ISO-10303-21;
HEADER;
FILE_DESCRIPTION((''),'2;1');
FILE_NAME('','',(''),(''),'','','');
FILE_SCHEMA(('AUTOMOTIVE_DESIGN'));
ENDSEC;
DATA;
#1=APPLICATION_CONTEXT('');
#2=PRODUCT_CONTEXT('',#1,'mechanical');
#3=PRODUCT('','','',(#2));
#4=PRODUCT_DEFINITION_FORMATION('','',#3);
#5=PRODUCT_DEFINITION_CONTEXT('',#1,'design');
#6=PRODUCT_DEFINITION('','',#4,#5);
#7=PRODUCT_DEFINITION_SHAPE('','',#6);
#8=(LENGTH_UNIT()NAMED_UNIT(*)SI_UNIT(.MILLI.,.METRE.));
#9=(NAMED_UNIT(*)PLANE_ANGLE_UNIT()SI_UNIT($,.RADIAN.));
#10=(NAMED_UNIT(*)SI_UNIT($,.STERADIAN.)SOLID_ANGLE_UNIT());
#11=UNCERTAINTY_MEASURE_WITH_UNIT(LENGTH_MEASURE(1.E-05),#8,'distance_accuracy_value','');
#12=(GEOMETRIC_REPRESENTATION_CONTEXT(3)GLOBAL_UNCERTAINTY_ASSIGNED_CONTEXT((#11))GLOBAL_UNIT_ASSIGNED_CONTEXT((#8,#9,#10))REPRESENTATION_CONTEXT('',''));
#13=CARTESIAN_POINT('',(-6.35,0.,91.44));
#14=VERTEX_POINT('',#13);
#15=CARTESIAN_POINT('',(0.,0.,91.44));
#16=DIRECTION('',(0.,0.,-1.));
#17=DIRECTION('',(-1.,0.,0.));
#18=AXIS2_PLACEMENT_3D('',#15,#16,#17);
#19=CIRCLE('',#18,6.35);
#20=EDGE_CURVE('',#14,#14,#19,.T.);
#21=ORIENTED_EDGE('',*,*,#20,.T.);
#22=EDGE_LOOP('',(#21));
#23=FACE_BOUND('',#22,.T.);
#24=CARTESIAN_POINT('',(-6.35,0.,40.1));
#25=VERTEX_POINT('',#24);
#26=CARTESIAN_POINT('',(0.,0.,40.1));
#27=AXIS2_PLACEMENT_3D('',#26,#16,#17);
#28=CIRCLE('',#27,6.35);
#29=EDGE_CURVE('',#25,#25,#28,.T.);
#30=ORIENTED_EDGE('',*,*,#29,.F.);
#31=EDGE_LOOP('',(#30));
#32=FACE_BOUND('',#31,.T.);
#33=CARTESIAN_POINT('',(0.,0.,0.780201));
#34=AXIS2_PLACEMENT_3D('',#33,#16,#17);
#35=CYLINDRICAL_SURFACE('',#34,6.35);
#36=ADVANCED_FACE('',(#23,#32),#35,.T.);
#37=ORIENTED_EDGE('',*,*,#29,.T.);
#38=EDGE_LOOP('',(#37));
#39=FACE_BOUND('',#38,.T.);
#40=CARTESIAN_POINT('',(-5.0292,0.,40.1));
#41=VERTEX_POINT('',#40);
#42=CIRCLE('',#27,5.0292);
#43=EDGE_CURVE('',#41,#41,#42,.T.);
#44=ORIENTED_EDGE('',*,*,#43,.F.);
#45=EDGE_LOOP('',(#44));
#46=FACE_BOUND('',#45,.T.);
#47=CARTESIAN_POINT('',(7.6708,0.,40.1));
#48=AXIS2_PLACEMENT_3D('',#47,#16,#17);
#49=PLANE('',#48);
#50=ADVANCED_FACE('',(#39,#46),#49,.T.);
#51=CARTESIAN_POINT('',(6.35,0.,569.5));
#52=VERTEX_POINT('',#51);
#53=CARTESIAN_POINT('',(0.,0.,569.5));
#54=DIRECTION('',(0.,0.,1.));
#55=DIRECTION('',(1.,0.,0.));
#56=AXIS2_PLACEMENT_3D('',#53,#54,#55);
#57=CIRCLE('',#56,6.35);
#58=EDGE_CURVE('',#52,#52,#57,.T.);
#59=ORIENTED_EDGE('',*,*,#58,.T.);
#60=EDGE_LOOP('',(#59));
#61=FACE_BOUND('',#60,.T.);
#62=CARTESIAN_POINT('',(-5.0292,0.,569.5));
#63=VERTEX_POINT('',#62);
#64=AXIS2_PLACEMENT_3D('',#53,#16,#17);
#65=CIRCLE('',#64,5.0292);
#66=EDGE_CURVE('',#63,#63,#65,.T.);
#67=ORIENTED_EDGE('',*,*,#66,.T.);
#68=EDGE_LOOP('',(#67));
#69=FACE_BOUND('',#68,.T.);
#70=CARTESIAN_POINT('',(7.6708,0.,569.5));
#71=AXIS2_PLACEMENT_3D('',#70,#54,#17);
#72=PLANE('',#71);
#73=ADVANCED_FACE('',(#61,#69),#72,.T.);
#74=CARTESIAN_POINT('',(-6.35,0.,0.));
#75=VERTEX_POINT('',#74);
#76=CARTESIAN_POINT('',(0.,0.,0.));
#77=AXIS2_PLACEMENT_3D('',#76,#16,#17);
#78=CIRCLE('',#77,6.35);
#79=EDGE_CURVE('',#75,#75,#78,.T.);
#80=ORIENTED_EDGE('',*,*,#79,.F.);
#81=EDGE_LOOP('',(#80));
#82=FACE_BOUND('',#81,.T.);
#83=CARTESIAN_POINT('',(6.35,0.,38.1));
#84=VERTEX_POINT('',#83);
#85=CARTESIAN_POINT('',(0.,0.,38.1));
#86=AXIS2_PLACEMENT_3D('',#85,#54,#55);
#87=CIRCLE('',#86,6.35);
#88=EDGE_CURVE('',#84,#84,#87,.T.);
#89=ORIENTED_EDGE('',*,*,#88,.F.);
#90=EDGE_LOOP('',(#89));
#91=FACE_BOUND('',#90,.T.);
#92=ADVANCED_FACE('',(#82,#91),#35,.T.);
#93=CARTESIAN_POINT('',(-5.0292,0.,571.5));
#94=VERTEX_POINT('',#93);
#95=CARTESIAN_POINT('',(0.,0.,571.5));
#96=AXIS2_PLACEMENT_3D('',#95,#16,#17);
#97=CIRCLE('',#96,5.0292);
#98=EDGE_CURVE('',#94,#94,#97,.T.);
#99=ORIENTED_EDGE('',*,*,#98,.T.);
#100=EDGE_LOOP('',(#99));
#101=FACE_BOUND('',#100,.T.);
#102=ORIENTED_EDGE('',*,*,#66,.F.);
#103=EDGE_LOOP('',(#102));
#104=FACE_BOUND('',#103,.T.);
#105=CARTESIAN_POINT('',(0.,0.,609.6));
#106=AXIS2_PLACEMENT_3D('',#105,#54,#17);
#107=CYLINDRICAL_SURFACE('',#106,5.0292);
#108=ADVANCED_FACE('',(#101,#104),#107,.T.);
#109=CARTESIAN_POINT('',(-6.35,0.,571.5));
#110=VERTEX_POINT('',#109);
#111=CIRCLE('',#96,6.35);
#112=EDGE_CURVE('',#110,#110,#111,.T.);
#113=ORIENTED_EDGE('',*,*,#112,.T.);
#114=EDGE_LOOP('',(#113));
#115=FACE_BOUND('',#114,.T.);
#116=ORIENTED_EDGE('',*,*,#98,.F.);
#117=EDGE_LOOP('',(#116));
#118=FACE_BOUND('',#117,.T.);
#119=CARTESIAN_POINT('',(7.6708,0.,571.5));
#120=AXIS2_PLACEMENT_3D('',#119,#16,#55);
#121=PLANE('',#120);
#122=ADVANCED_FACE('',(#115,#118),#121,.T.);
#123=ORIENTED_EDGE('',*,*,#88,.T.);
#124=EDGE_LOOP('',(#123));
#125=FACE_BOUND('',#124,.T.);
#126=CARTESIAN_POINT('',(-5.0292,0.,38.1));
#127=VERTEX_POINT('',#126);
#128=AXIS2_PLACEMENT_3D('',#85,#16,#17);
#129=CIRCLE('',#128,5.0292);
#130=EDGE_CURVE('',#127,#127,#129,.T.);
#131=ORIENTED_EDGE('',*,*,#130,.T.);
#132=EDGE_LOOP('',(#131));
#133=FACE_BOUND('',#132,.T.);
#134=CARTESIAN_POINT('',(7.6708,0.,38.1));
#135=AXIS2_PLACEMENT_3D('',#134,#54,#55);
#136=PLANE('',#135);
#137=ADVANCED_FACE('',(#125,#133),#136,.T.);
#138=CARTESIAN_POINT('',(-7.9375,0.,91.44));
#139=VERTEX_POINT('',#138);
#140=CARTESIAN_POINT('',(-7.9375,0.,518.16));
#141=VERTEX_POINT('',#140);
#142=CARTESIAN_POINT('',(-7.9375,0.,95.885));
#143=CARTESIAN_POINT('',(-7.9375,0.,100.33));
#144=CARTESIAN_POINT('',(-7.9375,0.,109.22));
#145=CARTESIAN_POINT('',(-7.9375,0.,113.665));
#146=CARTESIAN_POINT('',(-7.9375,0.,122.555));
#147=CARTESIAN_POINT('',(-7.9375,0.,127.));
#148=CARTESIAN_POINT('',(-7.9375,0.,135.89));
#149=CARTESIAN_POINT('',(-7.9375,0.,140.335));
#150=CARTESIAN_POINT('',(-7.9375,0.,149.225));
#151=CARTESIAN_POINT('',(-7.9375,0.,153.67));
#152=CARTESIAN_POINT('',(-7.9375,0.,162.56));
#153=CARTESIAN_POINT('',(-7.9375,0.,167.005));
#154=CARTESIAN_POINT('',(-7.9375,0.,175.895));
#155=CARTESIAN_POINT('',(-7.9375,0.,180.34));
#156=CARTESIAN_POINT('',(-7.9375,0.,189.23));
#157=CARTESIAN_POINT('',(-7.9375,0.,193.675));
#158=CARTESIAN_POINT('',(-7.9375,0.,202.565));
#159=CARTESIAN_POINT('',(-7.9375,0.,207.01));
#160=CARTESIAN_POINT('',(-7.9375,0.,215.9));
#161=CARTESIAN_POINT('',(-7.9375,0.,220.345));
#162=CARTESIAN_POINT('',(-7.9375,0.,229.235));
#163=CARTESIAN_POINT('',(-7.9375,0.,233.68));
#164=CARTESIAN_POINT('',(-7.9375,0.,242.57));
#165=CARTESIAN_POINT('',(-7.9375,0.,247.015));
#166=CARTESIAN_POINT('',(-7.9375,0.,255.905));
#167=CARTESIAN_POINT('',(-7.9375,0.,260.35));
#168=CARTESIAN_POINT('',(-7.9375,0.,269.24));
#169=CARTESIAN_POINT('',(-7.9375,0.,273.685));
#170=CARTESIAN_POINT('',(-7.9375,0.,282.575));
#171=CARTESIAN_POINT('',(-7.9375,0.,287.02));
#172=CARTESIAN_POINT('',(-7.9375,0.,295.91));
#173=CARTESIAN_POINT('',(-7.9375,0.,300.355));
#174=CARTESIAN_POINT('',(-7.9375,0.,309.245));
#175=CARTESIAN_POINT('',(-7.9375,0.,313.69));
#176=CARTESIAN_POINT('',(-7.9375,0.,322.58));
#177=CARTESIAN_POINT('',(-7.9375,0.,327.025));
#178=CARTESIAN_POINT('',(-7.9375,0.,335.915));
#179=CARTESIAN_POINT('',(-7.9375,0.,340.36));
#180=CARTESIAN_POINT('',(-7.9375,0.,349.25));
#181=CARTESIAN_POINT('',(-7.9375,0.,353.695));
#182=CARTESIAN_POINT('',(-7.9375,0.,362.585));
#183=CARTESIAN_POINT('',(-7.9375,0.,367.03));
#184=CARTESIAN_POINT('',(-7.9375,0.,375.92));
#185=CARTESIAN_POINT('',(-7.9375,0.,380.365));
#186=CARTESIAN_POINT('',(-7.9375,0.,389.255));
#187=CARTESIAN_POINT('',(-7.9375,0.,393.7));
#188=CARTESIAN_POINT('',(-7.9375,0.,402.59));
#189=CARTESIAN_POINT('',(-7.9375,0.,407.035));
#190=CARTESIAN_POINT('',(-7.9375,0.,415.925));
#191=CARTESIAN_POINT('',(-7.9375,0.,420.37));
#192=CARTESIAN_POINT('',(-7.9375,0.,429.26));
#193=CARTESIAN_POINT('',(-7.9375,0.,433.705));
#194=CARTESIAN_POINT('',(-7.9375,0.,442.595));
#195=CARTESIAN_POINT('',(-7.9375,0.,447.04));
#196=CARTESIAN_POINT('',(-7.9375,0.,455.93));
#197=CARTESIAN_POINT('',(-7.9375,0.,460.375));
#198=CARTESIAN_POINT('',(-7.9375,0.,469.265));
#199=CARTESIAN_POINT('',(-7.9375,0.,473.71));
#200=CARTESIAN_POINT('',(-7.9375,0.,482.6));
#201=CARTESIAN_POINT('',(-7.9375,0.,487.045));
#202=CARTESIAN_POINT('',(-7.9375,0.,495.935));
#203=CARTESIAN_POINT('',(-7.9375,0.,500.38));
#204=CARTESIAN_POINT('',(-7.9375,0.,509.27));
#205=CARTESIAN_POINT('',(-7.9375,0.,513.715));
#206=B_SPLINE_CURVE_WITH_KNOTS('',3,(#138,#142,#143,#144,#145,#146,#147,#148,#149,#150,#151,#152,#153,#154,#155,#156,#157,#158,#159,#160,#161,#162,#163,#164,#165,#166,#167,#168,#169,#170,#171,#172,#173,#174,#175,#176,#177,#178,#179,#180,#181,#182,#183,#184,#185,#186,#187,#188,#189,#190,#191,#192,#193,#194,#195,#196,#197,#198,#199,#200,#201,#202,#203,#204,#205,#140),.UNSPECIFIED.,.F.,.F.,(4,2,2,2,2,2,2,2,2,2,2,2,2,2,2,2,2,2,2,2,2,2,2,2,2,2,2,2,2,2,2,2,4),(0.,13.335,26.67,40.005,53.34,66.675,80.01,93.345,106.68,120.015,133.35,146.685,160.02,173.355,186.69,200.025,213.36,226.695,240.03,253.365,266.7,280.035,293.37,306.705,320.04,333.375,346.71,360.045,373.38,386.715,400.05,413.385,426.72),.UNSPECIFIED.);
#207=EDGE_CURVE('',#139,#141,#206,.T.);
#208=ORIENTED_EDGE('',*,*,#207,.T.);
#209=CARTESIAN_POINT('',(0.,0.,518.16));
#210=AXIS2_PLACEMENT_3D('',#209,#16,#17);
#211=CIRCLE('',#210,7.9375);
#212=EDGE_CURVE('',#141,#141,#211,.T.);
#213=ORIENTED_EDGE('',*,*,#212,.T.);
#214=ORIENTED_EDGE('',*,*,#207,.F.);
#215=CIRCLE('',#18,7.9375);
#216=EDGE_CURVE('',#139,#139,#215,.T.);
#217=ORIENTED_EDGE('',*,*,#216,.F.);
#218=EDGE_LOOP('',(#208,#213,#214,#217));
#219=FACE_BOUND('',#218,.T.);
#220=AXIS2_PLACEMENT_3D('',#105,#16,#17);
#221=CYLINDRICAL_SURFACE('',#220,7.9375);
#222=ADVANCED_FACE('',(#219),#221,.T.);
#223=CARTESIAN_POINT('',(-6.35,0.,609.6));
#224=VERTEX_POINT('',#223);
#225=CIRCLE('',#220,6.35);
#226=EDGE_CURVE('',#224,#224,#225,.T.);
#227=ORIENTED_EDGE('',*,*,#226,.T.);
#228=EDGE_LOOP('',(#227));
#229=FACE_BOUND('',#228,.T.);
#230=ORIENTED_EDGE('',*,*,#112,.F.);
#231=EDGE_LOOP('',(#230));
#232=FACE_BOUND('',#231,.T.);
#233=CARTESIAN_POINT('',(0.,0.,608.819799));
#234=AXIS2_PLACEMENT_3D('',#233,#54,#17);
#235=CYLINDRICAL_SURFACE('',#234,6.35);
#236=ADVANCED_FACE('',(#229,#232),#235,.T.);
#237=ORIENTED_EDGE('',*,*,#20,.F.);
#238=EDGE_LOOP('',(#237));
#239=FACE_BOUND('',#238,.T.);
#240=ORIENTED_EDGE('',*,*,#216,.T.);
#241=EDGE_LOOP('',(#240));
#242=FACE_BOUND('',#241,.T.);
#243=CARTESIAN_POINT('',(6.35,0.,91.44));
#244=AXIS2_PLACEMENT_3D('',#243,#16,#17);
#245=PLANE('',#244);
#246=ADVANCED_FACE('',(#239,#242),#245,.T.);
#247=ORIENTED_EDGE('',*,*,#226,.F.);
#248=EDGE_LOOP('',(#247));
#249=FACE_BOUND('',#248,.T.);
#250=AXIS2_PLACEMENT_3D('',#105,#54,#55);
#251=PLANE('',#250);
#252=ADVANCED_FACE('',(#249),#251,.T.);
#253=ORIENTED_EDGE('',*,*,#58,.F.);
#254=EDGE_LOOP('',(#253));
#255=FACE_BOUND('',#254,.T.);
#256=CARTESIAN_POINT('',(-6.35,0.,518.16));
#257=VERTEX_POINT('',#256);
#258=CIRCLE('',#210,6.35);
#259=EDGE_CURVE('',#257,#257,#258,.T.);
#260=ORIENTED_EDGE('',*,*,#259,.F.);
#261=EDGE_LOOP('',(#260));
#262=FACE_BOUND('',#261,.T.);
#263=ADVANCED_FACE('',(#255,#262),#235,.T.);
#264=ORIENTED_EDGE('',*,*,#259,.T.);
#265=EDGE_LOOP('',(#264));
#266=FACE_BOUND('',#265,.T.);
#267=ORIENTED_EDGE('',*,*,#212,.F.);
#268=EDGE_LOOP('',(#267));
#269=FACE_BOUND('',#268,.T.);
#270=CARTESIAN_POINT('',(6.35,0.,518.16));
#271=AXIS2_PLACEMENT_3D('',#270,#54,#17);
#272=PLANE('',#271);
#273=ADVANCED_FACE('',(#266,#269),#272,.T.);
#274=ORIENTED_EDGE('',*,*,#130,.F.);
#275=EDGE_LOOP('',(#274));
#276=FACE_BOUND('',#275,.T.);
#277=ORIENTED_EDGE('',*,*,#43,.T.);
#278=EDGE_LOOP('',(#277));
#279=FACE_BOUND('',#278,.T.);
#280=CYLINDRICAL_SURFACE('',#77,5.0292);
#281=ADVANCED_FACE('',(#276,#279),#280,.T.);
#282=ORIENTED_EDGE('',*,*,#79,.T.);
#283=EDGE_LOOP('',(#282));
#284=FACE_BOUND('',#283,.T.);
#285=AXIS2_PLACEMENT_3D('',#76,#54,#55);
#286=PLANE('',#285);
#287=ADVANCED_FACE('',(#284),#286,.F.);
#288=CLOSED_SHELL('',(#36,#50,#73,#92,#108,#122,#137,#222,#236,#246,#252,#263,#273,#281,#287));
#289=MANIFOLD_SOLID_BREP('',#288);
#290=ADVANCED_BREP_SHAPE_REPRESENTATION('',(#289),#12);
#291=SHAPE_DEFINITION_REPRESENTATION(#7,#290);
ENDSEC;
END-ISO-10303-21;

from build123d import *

# Parameters (mm, degrees)
SKETCH1_R           = 7.9375
BOSS_EXTRUDE1_DEPTH = 609.6
FILLET1_R           = 0.25
SKETCH2_W           = 1.5875
SKETCH2_H           = 91.44
SKETCH4_W           = 2.6416
SKETCH4_H           = 2


with BuildPart() as part:
    # Sketch1 → Boss-Extrude1 (new body)
    with BuildSketch(Plane.XY):
        with Locations(Location((0, 0, 0), (0, 0, 180))):
            Circle(SKETCH1_R)
    extrude(amount=BOSS_EXTRUDE1_DEPTH)

    # Fillet1
    fillet1_edges = [part.edges().sort_by_distance(p)[0] for p in [
        (7.9375, 0, 0),
        (7.9375, 0, 609.6),
    ]]
    fillet(fillet1_edges, radius=FILLET1_R)

    # Sketch2 → Cut-Revolve2 (revolve, cut)
    with BuildSketch(Plane(origin=(0, 0, 0), x_dir=(1, 0, 0), z_dir=(0, 1, 0)), mode=Mode.PRIVATE) as cut_revolve2_sk:
        with Locations((7.14375, -45.72)):
            Rectangle(SKETCH2_W, SKETCH2_H)
    cut_revolve2 = revolve(cut_revolve2_sk.sketch.rotate(Axis((0, 0, 0.780201326), (0, 0, 1)), 180), axis=Axis((0, 0, 0.780201326), (0, 0, 1)), mode=Mode.SUBTRACT)

    # Sketch4 → Cut-Revolve3 (revolve, cut)
    with BuildSketch(Plane(origin=(0, 0, 0), x_dir=(1, 0, 0), z_dir=(0, 1, 0)), mode=Mode.PRIVATE) as cut_revolve3_sk:
        with Locations((6.35, -39.1)):
            Rectangle(SKETCH4_W, SKETCH4_H)
    cut_revolve3 = revolve(cut_revolve3_sk.sketch.rotate(Axis((0, 0, 0), (0, 0, 1)), 180), axis=Axis((0, 0, 0), (0, 0, 1)), mode=Mode.SUBTRACT)

    # Mirror1: Cut-Revolve2, Cut-Revolve3 across plane
    add(cut_revolve2.mirror(Plane.XY.offset(304.8)), mode=Mode.SUBTRACT)
    add(cut_revolve3.mirror(Plane.XY.offset(304.8)), mode=Mode.SUBTRACT)


solid = part.part
